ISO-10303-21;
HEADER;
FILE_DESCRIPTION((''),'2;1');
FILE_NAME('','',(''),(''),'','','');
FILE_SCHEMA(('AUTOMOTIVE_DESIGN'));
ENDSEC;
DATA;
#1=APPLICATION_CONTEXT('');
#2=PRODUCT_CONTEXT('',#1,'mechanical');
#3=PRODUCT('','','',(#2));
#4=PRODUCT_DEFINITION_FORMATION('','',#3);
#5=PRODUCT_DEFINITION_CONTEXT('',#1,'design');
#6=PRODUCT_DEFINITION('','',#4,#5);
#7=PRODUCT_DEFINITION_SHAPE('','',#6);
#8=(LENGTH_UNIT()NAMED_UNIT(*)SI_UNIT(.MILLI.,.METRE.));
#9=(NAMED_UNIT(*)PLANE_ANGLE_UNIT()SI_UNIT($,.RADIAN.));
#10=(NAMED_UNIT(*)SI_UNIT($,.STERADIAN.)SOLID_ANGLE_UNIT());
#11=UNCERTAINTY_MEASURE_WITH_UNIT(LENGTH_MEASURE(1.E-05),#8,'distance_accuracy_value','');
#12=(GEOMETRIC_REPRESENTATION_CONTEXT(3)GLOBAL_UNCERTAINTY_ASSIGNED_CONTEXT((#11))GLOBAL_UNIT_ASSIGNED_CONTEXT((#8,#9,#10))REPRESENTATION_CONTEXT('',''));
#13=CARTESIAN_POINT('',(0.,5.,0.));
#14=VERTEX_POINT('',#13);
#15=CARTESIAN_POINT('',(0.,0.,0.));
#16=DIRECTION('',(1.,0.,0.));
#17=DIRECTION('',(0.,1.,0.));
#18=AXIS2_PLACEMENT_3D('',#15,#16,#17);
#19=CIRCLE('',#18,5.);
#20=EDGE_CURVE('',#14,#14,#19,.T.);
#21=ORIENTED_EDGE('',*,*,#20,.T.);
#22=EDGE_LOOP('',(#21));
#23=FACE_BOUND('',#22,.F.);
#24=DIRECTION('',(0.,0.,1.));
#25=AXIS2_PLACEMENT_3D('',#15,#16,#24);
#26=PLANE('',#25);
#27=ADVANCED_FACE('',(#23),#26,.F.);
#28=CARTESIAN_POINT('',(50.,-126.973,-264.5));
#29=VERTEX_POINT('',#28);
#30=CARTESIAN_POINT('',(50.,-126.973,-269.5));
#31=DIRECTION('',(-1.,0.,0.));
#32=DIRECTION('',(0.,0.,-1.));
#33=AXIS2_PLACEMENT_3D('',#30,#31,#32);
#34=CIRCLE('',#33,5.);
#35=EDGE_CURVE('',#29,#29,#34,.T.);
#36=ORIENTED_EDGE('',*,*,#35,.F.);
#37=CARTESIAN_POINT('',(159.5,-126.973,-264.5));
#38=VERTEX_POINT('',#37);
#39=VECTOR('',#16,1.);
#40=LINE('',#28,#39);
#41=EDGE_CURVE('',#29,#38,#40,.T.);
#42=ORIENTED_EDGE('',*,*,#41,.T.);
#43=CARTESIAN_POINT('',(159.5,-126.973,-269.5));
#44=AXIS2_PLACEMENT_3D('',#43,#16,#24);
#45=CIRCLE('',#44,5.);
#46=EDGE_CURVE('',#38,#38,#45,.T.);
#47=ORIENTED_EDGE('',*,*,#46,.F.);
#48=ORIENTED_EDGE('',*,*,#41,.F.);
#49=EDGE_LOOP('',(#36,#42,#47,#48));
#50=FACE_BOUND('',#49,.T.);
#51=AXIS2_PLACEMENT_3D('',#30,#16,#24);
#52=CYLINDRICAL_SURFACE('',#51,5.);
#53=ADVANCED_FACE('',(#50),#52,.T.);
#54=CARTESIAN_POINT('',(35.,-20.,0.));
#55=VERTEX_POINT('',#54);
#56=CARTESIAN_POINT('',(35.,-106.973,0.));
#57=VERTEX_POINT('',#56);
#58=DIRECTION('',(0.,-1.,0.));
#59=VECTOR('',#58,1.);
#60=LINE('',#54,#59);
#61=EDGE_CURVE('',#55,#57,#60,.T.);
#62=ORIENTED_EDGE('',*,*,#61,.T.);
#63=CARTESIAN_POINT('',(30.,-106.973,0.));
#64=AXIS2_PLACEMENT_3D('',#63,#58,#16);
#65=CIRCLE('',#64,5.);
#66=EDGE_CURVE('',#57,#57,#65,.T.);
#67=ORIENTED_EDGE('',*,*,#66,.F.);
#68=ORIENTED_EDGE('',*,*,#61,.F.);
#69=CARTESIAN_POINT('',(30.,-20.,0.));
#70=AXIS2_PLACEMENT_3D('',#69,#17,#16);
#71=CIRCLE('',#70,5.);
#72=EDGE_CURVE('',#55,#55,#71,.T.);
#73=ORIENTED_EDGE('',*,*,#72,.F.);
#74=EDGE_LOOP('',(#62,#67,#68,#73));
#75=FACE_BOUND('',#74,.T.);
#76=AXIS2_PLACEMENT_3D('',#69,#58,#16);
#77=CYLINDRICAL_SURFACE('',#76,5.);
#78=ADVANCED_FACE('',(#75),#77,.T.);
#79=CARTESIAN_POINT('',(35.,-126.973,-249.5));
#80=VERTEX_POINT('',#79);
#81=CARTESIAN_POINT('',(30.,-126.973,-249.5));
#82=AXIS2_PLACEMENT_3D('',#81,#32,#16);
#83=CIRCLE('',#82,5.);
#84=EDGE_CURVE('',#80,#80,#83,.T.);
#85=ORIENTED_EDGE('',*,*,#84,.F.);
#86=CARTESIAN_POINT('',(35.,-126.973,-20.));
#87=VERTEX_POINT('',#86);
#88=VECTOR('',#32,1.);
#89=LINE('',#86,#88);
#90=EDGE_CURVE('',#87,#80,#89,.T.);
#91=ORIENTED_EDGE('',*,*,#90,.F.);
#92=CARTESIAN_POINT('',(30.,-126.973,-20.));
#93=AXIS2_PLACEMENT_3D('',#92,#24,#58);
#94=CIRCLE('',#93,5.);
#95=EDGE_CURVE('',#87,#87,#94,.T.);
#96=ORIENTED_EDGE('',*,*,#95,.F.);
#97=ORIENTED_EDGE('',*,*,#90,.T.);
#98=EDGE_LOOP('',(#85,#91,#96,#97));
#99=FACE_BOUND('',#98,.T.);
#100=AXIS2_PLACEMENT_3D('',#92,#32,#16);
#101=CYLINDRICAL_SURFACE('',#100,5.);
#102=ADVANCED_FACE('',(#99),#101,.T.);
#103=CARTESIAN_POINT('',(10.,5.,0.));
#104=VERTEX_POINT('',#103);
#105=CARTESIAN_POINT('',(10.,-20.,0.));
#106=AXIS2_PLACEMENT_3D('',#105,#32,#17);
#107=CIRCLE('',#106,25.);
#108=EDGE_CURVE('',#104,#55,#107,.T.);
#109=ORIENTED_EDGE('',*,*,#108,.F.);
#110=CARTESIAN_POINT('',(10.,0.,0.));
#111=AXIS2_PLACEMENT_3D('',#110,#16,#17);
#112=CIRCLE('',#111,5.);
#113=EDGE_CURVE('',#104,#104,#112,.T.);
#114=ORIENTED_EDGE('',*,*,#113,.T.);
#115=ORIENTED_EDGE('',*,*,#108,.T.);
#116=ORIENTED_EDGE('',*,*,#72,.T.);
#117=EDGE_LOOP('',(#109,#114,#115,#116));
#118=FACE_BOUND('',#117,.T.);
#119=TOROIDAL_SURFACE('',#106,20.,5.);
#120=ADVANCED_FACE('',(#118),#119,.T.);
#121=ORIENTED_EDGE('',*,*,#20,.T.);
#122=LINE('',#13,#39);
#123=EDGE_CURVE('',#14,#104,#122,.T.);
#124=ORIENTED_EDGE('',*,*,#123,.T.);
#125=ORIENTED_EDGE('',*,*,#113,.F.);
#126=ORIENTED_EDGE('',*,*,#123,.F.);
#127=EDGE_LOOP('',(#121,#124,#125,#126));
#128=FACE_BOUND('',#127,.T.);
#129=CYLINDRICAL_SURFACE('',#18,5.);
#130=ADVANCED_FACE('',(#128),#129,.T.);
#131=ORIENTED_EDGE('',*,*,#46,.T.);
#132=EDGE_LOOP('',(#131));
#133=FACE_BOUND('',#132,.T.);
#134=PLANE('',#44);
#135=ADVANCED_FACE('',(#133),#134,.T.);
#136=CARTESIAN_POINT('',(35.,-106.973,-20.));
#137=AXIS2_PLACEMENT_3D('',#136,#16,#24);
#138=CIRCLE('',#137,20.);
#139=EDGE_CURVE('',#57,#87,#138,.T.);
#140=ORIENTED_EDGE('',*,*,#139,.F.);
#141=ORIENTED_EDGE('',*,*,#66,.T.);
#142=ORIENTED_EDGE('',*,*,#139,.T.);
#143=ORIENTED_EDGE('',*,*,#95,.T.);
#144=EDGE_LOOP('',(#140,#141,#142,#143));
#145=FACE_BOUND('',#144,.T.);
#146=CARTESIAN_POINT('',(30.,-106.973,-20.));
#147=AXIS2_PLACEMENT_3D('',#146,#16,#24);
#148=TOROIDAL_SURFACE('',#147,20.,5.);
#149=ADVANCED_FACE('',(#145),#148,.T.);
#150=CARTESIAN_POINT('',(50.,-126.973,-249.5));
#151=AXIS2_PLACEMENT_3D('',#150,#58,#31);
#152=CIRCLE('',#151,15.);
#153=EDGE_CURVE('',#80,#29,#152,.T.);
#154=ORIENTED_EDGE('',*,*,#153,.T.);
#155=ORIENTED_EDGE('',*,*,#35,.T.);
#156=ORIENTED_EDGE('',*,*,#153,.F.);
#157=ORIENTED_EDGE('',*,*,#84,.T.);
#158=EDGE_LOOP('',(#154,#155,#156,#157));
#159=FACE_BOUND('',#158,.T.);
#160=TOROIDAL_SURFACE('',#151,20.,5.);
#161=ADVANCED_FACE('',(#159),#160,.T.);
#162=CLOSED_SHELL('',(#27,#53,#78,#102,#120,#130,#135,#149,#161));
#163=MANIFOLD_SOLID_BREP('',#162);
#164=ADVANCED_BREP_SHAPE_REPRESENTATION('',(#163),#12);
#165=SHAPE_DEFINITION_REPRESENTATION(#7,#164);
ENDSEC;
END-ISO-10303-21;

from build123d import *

# Parameters (mm, degrees)
F1_R = 5


with BuildPart() as f6:
    # F6: sweep along a path in F0, F5, F3
    with BuildLine(Plane.XY) as f6_path:
        Line((0, 0), (10, 0))
        ThreePointArc((10, 0), (24.1421356237, -5.8578643763), (30, -20))
        Line((30, -20), (30, -106.973))
    with BuildLine(Plane.YZ.offset(30)) as f6_path_2:
        ThreePointArc((-106.973, 0), (-121.1151356237, -5.8578643763), (-126.973, -20))
    with BuildLine(Plane.XZ.offset(126.973)) as f6_path_3:
        Line((30, -20), (30, -249.5))
        ThreePointArc((30, -249.5), (35.8578643763, -263.6421356237), (50, -269.5))
        Line((50, -269.5), (159.5, -269.5))
    # F1 (on Right) → F6 (sweep)
    with BuildSketch(Plane.YZ):
        Circle(F1_R)
    sweep(path=f6_path.line + f6_path_2.line + f6_path_3.line)


solid = f6.part
